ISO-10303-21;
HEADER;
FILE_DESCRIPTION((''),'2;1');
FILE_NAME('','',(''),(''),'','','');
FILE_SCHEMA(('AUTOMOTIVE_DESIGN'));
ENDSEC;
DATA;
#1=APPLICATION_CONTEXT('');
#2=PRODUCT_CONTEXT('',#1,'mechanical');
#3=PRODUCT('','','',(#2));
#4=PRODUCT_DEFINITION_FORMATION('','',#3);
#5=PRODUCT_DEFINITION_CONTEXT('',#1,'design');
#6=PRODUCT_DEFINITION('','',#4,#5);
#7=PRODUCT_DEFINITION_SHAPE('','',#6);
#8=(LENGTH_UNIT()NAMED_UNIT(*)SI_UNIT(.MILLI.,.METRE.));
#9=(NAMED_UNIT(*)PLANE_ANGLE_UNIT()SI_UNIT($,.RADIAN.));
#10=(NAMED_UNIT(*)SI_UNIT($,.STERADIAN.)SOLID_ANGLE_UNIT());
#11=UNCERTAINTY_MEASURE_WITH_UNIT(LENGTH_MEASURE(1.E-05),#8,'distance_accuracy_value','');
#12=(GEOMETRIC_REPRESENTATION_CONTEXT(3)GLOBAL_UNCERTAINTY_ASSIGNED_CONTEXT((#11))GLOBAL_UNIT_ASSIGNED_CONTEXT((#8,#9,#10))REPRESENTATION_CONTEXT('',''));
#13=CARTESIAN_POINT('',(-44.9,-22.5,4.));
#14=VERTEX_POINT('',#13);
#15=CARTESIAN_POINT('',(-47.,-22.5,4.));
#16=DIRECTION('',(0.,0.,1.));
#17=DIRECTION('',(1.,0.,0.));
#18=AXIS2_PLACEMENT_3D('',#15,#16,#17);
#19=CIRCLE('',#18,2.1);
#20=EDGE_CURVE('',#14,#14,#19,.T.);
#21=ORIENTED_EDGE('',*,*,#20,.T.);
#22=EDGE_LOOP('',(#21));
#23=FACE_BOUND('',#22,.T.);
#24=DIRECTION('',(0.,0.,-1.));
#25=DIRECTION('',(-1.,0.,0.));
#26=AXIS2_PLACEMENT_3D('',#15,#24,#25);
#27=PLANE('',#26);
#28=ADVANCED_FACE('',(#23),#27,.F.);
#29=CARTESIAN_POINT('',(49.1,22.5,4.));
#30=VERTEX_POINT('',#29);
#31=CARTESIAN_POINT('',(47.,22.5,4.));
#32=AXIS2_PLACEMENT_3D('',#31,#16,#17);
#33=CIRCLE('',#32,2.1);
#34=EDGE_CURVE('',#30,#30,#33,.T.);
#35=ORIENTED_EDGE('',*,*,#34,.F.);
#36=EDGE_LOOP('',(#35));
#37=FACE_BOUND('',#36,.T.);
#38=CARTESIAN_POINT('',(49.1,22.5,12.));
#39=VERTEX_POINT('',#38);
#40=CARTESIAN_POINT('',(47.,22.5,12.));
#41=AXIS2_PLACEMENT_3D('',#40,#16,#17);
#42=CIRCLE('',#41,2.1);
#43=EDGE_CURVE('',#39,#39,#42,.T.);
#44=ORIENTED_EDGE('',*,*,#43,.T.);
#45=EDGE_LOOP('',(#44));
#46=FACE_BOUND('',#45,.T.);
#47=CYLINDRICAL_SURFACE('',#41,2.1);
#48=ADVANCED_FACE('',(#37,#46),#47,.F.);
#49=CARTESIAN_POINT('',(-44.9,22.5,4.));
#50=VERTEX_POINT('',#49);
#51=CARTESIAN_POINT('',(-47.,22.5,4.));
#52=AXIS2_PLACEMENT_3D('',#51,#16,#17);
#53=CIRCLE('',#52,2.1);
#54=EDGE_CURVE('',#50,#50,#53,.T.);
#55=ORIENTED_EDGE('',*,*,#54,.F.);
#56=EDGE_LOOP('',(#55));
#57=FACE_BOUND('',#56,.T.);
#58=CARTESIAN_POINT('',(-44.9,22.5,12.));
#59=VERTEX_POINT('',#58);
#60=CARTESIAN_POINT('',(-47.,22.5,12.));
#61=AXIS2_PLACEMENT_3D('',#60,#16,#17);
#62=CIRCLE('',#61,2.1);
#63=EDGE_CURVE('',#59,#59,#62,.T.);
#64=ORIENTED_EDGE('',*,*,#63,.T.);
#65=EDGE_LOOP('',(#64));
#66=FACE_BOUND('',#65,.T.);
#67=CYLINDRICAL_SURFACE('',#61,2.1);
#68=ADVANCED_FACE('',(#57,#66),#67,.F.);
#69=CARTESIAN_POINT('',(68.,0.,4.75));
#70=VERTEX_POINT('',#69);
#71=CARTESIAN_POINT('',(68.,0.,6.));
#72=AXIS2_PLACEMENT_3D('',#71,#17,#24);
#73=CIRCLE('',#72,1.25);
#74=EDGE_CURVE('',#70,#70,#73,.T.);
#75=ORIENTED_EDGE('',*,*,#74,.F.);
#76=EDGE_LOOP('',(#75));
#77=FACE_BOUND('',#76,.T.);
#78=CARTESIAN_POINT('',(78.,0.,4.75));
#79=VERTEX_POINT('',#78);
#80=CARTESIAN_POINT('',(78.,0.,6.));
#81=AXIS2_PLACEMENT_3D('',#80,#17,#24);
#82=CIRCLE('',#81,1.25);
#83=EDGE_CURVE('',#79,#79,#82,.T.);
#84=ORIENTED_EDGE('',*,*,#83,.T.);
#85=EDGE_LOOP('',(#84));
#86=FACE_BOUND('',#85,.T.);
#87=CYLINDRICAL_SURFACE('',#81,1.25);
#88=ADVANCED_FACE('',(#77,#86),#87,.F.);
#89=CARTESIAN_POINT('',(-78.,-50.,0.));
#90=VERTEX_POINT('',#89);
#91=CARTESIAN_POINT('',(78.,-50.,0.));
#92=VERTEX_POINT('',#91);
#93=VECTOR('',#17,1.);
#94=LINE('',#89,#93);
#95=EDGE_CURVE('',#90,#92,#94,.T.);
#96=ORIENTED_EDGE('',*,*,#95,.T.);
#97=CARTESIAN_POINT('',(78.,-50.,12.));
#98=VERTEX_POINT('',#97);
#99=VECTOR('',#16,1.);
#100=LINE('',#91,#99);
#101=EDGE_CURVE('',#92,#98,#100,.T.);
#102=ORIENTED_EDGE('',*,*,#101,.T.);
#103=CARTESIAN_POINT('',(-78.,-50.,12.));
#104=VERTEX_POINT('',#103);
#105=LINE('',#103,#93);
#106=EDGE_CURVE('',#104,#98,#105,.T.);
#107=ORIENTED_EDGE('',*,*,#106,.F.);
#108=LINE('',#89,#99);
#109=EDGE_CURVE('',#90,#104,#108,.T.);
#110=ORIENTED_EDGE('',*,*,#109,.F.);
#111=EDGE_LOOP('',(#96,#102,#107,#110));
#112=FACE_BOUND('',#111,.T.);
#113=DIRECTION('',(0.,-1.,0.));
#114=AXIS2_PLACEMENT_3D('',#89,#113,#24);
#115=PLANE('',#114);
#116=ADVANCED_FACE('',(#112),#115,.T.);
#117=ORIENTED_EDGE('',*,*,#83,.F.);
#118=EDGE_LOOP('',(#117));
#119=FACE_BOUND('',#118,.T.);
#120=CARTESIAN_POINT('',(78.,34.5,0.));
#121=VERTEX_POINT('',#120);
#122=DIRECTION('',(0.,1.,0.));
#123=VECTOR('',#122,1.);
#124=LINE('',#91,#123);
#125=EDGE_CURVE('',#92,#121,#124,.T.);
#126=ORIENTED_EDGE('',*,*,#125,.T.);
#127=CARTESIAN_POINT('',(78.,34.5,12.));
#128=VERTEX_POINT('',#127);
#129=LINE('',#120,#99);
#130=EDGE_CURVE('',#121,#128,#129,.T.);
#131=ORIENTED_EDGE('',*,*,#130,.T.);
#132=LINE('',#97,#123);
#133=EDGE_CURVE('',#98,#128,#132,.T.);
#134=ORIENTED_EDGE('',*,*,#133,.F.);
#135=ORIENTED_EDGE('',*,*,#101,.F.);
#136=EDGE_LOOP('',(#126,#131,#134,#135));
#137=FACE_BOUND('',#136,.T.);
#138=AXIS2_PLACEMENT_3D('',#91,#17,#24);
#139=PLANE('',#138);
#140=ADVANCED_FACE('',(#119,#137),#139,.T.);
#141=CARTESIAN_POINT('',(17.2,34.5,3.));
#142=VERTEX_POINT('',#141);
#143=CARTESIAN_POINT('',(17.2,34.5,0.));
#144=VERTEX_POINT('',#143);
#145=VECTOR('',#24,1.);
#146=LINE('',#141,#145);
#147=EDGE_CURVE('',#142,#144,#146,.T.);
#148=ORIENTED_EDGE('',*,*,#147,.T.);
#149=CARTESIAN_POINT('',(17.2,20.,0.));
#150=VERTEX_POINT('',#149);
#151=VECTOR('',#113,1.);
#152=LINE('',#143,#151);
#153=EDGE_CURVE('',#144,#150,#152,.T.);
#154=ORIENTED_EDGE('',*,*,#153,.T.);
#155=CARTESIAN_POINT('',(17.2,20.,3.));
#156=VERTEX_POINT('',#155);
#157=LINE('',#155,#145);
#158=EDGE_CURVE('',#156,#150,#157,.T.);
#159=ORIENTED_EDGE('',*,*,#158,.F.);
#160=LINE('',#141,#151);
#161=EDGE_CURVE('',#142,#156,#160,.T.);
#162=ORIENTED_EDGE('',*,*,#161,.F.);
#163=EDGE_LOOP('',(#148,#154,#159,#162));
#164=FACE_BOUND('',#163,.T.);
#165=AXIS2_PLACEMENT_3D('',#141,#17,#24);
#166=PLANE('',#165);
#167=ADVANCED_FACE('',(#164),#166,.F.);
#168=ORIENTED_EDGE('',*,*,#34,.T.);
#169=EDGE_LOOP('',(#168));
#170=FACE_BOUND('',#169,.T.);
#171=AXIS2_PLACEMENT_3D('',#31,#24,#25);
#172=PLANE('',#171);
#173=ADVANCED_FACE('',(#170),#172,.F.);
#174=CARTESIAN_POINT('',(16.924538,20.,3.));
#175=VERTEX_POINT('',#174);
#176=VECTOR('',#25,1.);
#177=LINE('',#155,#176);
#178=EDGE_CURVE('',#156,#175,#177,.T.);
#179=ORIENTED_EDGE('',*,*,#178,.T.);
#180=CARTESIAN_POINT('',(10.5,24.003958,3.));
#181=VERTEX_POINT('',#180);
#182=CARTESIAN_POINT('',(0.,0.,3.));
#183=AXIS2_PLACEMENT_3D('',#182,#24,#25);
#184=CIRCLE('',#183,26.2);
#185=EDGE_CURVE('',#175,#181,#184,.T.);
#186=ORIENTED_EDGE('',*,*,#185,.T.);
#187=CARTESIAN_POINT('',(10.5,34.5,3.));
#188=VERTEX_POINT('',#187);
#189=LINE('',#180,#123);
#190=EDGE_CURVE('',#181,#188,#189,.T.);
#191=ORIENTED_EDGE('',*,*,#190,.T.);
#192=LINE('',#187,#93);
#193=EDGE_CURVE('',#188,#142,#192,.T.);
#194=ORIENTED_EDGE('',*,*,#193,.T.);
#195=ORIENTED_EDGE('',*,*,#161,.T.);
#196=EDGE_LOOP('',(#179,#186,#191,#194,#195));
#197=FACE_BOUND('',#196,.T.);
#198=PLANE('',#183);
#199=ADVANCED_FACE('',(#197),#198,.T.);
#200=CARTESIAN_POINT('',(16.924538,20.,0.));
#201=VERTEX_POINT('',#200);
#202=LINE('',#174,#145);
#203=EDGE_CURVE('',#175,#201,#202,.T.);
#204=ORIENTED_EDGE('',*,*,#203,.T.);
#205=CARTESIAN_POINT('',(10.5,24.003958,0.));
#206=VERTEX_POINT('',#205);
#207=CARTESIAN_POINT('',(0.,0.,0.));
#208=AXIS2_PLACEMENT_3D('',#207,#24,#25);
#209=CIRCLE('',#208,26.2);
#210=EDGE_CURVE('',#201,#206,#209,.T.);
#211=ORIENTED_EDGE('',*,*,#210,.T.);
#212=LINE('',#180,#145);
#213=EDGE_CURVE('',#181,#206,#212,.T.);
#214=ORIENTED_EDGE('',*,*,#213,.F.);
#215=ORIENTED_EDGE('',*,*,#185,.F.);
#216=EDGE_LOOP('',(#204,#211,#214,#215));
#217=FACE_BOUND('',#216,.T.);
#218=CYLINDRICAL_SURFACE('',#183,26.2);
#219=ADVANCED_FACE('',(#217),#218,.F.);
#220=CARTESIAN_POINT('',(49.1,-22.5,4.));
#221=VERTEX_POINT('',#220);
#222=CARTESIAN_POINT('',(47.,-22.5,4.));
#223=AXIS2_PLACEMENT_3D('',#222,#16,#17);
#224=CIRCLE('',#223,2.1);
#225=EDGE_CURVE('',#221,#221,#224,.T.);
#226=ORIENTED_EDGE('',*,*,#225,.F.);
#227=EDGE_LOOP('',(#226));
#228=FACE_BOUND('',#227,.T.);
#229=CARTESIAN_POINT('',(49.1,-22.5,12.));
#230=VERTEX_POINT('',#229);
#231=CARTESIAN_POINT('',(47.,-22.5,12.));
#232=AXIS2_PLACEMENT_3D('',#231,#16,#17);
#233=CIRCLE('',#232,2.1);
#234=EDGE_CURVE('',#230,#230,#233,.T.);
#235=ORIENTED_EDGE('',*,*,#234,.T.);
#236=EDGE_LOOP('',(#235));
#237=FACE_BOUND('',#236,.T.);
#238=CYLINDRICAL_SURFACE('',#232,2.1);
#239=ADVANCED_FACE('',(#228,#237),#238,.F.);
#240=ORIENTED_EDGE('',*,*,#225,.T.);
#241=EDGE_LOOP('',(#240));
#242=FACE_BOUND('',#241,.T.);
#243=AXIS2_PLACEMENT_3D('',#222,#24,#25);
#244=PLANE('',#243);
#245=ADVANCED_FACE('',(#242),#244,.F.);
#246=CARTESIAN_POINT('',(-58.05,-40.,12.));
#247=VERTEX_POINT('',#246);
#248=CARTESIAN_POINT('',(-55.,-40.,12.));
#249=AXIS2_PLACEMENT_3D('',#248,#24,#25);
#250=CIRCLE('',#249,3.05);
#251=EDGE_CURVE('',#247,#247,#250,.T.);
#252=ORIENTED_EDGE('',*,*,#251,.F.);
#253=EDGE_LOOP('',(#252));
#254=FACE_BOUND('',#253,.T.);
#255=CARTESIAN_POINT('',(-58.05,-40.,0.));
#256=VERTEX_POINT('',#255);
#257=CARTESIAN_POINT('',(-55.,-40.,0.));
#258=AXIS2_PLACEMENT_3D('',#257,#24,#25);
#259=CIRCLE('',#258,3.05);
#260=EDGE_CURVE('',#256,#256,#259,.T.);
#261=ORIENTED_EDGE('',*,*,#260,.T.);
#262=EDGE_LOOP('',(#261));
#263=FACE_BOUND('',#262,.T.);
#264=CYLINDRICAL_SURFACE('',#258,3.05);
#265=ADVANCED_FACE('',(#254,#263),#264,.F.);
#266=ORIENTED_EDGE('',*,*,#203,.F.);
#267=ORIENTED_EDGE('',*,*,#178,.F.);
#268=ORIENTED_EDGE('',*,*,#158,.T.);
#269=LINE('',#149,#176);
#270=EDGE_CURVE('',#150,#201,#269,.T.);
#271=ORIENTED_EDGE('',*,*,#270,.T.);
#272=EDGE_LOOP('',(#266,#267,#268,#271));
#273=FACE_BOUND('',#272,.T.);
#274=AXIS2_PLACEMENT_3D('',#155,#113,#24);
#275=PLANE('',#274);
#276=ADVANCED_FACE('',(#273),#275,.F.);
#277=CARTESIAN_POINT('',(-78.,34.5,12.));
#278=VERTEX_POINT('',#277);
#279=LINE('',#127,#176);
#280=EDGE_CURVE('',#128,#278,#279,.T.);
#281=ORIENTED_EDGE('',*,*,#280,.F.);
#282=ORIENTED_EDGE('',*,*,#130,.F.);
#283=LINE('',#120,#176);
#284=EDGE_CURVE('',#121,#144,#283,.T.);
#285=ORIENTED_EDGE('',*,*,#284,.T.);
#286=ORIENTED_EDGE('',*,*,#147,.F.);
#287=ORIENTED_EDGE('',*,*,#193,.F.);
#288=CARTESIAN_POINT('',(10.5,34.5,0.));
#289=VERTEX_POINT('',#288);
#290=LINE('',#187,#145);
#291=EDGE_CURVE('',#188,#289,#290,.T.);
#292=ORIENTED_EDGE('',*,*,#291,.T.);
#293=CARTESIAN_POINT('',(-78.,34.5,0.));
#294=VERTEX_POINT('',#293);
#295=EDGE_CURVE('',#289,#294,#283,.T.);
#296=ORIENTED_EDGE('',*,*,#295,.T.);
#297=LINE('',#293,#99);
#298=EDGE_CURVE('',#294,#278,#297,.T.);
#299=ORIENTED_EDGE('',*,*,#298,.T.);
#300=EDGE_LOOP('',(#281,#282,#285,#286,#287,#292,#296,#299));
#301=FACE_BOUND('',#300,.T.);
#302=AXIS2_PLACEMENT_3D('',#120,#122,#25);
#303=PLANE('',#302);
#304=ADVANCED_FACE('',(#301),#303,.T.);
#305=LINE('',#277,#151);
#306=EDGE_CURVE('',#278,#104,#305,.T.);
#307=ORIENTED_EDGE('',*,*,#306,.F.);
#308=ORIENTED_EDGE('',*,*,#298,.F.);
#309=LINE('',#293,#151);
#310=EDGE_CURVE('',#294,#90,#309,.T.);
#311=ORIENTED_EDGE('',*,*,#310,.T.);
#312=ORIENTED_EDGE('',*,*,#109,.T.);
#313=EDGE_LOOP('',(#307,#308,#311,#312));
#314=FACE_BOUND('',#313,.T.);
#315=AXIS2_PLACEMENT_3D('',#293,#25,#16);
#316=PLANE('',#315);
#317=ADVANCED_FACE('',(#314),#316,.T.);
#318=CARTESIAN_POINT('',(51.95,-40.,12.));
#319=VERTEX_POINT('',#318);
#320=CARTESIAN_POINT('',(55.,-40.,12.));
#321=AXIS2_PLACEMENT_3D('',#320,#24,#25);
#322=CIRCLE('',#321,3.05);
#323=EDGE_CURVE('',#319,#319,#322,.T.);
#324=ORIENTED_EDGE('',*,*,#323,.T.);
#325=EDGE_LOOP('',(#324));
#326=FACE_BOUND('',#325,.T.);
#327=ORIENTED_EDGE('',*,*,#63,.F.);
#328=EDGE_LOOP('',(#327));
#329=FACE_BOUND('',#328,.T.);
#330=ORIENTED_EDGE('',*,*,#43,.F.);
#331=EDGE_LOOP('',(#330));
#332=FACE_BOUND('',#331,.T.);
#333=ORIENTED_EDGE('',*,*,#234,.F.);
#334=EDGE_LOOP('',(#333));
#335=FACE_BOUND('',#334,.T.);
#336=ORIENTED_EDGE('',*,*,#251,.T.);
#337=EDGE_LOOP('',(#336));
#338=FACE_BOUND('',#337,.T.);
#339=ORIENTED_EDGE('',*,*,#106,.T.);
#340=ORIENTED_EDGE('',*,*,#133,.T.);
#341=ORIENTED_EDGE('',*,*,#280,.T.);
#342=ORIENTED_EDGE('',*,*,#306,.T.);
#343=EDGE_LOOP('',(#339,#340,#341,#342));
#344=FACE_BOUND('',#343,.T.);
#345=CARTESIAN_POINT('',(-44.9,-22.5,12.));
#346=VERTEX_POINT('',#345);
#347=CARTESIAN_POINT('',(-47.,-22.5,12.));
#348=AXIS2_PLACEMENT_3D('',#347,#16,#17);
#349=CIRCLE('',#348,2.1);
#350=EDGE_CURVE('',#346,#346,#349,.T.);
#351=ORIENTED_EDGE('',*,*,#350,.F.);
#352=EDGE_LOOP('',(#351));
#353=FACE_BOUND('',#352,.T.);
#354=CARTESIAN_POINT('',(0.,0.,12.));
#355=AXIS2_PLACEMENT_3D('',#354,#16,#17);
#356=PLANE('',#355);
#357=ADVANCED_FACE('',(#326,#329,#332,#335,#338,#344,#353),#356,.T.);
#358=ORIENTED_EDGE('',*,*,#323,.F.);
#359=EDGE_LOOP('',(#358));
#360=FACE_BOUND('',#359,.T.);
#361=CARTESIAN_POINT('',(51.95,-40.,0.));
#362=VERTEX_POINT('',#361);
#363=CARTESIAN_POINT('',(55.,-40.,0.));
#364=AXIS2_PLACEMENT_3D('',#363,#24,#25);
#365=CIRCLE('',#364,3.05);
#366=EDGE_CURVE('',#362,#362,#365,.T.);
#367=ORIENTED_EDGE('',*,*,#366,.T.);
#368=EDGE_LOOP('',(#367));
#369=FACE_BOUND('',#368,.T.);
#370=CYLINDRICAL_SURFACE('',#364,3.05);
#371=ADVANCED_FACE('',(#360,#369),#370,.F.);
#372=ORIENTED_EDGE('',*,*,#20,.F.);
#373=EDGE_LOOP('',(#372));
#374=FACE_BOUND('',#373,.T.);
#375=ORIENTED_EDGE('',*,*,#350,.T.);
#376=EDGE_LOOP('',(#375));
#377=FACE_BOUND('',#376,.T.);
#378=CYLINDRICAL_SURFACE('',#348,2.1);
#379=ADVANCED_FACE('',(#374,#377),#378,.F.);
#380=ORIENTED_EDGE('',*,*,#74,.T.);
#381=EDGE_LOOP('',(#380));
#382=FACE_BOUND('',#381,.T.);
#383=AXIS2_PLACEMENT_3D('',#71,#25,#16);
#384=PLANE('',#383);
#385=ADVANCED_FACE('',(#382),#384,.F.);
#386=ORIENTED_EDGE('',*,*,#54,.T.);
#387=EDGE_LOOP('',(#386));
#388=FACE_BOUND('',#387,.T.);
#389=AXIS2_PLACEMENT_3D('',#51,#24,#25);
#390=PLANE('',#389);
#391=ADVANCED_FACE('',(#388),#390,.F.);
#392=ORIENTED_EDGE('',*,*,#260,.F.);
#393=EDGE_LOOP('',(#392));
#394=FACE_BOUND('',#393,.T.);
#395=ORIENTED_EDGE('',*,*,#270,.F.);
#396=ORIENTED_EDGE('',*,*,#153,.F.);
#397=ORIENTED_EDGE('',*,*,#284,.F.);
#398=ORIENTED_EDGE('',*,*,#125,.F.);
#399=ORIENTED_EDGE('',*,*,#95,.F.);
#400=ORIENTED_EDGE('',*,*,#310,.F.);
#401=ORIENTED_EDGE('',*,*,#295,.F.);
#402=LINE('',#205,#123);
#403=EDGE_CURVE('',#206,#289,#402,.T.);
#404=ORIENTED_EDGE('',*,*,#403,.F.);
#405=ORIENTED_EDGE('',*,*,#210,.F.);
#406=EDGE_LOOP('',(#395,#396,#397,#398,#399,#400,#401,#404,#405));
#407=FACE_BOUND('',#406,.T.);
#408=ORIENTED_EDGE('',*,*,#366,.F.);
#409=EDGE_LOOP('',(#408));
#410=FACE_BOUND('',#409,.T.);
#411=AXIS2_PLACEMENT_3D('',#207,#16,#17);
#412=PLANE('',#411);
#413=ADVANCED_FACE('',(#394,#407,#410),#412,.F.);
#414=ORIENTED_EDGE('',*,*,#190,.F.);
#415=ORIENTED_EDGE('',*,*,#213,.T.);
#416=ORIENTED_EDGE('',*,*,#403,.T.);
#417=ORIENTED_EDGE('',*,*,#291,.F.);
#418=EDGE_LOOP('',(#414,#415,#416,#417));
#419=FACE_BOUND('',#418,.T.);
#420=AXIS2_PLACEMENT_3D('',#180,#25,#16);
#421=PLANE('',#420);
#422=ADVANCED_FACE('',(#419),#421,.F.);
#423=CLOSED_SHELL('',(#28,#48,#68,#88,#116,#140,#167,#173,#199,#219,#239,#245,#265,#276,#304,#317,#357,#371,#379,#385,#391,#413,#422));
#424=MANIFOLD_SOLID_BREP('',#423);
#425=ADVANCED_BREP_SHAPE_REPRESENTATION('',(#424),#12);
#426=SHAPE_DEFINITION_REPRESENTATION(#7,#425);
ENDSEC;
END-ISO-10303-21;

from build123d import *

# Parameters (mm, degrees)
SKETCH1_W                      = 156
SKETCH1_H                      = 84.5
BOSS_EXTRUDE1_DEPTH            = 12
CUT_EXTRUDE1_DEPTH             = 3
F_2_5_2_5_DIAMETER_HOLE1_D     = 2.5
F_2_5_2_5_DIAMETER_HOLE1_DEPTH = 10
F_6_1_6_1_DIAMETER_HOLE1_D     = 6.1
F_4_2_4_2_DIAMETER_HOLE1_D     = 4.2
F_4_2_4_2_DIAMETER_HOLE1_DEPTH = 8


with BuildPart() as part:
    # Sketch1 → Boss-Extrude1 (new body)
    with BuildSketch(Plane.XY.offset(12)):
        with Locations((0, -7.75)):
            Rectangle(SKETCH1_W, SKETCH1_H)
    extrude(amount=-BOSS_EXTRUDE1_DEPTH)

    # Sketch2 → Cut-Extrude1 (cut)
    with BuildSketch(Plane(origin=(0, 0, 0), x_dir=(-1, 0, 0), z_dir=(0, 0, -1))):
        with BuildLine():
            Line((-10.5, 24.003958007), (-10.5, 34.5))
            Line((-10.5, 34.5), (-17.2, 34.5))
            Line((-17.2, 34.5), (-17.2, 20))
            Line((-17.2, 20), (-16.924538398, 20))
            ThreePointArc((-16.924538398, 20), (13.85764217, -22.235236753), (-10.5, 24.003958007))
        make_face()
    extrude(amount=-CUT_EXTRUDE1_DEPTH, mode=Mode.SUBTRACT)

    # Ø2.5 (2.5) Diameter Hole1
    with Locations(Plane(origin=(78, 0, 0), x_dir=(0, 0, -1), z_dir=(1, 0, 0))):
        with Locations((-6, 0)):
            Hole(F_2_5_2_5_DIAMETER_HOLE1_D / 2, depth=F_2_5_2_5_DIAMETER_HOLE1_DEPTH)

    # Ø6.1 (6.1) Diameter Hole1 (through all)
    with Locations(Plane(origin=(0, 0, 0), x_dir=(-1, 0, 0), z_dir=(0, 0, -1))):
        with Locations((-55, -40), (55, -40)):
            Hole(F_6_1_6_1_DIAMETER_HOLE1_D / 2)

    # Ø4.2 (4.2) Diameter Hole1
    with Locations(Plane.XY.offset(12)):
        with Locations((47, 22.5), (-47, 22.5), (47, -22.5), (-47, -22.5)):
            Hole(F_4_2_4_2_DIAMETER_HOLE1_D / 2, depth=F_4_2_4_2_DIAMETER_HOLE1_DEPTH)


solid = part.part
